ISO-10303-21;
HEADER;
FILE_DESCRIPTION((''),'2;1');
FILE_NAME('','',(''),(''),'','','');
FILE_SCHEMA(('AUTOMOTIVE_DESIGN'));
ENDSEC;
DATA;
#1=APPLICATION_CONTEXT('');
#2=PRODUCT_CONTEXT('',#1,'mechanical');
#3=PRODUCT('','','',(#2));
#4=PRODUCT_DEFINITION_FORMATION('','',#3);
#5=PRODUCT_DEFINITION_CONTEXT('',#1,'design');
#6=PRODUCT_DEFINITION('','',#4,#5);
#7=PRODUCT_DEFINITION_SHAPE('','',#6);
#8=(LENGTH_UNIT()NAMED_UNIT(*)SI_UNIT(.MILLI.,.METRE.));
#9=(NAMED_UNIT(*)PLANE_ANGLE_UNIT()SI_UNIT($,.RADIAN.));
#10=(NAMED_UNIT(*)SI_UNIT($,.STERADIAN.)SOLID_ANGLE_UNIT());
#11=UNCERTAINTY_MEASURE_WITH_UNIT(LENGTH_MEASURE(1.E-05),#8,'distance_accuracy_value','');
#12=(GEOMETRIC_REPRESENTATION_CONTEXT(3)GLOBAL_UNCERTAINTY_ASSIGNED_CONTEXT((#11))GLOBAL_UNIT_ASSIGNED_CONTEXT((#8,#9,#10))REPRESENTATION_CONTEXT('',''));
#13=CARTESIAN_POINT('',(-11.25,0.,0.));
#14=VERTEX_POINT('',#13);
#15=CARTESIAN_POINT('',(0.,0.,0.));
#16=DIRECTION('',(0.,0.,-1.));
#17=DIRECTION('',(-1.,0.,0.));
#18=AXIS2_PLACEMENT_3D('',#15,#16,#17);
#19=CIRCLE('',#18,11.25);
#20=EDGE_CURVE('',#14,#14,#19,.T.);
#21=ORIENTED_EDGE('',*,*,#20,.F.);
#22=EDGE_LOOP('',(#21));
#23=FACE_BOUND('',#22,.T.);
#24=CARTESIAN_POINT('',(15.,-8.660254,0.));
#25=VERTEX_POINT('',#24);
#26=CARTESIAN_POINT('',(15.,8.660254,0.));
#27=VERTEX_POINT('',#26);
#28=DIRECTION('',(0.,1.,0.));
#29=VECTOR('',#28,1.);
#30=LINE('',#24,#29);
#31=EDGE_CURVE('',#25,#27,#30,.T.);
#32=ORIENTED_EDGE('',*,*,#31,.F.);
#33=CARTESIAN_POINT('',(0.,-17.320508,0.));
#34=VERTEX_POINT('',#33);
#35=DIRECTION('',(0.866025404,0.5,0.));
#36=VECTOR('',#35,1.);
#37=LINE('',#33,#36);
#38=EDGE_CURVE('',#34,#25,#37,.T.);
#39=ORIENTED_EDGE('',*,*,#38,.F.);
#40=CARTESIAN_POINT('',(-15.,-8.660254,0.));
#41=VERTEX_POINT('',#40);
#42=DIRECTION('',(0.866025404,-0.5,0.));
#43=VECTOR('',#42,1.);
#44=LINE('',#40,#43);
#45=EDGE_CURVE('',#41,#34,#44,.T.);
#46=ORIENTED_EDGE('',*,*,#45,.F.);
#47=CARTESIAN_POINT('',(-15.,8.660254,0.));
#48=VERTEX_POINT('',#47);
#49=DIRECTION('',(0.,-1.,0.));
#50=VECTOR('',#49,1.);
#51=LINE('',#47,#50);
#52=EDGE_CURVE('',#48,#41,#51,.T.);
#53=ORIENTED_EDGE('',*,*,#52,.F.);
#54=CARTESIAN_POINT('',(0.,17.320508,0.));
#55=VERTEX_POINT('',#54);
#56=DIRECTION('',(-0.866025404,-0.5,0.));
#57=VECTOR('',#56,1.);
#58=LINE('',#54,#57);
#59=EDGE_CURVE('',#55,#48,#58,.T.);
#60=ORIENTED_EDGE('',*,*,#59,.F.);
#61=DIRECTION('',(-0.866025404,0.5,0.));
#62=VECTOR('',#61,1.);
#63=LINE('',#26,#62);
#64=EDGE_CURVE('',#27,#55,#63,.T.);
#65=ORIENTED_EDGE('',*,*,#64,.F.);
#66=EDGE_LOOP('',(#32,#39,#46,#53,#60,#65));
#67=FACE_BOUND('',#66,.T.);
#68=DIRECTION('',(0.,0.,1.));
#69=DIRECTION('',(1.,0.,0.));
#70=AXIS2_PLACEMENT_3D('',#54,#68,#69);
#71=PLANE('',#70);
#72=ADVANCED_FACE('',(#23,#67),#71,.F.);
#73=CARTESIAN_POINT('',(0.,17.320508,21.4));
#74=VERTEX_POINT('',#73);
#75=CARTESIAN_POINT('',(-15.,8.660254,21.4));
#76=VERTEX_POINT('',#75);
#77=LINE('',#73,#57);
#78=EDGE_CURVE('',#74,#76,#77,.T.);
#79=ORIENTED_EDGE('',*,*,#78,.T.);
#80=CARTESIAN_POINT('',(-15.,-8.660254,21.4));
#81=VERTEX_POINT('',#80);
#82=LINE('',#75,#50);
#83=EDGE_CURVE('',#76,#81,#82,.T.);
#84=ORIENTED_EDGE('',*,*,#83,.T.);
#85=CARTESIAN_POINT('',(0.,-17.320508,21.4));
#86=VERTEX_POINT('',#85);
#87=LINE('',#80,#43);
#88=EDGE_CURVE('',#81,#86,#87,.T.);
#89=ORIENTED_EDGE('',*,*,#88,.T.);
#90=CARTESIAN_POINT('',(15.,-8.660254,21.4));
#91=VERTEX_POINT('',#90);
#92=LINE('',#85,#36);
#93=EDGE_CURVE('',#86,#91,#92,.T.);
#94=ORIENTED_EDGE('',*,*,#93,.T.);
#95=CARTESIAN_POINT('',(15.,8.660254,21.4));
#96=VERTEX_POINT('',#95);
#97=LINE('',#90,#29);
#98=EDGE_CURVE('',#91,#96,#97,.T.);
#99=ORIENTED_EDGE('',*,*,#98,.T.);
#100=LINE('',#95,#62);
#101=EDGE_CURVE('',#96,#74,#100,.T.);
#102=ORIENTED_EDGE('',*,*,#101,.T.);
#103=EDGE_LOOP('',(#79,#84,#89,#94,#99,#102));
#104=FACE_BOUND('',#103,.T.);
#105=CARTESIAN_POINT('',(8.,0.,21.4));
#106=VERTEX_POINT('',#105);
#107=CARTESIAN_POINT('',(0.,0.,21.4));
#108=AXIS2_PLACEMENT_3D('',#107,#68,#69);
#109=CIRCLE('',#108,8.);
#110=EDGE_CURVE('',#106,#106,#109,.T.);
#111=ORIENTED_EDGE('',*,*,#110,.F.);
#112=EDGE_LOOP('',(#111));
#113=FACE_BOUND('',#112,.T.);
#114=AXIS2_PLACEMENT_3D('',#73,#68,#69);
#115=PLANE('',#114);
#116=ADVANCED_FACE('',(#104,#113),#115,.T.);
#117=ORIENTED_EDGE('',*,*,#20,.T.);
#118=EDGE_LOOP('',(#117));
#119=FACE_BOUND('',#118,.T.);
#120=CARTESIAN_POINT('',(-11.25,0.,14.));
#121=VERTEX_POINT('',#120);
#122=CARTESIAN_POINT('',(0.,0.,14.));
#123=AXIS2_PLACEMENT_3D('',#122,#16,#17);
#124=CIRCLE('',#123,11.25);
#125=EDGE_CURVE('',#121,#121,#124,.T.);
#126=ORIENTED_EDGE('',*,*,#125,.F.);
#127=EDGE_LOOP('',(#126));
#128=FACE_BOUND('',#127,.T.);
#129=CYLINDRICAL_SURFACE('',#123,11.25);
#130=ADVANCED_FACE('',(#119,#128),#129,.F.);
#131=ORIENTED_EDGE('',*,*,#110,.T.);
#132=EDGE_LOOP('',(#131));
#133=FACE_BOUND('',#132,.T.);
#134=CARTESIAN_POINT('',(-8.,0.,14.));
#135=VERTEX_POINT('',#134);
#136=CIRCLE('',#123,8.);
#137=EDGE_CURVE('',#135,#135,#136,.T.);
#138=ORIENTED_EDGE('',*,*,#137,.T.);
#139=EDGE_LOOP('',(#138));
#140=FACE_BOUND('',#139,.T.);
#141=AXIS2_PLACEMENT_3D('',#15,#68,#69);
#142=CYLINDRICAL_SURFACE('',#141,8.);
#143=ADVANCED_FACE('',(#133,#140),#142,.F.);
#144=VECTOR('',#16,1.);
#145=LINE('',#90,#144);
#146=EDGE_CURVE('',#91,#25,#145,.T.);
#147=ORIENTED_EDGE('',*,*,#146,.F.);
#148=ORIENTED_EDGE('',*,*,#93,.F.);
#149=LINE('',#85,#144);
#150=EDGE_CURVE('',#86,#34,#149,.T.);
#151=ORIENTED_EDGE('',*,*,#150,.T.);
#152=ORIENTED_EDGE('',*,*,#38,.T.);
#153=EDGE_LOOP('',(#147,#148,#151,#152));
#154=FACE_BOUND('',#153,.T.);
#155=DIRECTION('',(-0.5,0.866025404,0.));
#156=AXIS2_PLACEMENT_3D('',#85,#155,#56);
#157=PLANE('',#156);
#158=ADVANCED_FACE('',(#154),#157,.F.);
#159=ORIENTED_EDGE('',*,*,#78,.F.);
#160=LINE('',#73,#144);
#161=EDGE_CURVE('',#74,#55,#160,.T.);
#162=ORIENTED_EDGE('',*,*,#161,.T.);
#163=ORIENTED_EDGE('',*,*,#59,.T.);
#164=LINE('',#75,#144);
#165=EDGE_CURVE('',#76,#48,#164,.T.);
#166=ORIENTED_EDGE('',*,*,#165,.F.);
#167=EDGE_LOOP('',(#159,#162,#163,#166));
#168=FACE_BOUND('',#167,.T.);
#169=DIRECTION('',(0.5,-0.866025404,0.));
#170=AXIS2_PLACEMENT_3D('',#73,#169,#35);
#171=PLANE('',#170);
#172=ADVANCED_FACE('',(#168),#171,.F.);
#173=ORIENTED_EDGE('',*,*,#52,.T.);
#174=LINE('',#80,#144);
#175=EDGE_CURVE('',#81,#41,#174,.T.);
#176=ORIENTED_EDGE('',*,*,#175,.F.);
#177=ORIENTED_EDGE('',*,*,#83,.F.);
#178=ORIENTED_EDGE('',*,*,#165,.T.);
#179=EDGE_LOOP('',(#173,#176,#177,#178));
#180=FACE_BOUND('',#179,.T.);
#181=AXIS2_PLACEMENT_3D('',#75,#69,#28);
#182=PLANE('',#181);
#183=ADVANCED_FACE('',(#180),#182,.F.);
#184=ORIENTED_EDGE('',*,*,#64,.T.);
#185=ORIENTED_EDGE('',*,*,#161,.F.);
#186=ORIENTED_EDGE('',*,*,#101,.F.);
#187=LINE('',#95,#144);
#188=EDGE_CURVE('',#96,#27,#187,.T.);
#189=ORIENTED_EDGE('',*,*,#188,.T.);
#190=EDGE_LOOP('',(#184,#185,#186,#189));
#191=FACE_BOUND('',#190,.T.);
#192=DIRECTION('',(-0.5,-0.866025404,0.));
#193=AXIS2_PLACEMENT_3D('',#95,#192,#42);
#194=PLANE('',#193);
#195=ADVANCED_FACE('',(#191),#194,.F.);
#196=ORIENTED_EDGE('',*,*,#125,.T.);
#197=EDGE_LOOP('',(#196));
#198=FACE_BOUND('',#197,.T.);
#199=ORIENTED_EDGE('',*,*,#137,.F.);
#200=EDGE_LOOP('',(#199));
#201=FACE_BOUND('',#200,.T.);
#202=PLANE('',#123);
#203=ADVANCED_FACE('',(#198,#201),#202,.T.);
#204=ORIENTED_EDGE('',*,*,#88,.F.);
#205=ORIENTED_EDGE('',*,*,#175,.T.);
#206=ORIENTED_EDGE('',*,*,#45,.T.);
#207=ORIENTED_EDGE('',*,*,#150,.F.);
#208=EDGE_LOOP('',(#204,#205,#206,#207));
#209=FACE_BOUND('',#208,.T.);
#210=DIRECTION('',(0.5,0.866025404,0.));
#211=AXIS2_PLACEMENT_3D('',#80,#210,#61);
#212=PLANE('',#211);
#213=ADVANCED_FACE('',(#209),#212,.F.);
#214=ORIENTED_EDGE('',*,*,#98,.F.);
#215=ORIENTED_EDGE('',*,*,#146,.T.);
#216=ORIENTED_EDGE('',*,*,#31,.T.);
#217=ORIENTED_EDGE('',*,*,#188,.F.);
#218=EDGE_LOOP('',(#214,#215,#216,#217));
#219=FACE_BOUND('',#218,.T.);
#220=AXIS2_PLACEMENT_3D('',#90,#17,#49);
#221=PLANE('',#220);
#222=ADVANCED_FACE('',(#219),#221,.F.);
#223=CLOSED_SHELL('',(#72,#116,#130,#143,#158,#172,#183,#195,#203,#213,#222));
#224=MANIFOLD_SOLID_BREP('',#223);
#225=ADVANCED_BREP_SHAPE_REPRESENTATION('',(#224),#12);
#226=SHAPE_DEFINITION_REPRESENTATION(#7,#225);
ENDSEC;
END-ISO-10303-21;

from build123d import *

# Parameters (mm, degrees)
BASE_EXTRUDE_DEPTH = 21.4
SKETCH2_R          = 11.25
CUT_EXTRUDE1_DEPTH = 14
SKETCH3_R          = 8
CUT_EXTRUDE2_DEPTH = 22.4


with BuildPart() as part:
    # Sketch1 → Base-Extrude (new body)
    with BuildSketch(Plane.XY):
        Polygon((0, 17.320508076), (-15, 8.660254038), (-15, -8.660254038), (0, -17.320508076), (15, -8.660254038), (15, 8.660254038), align=None)
    extrude(amount=BASE_EXTRUDE_DEPTH)

    # Sketch2 → Cut-Extrude1 (cut)
    with BuildSketch(Plane(origin=(0, 0, 0), x_dir=(-1, 0, 0), z_dir=(0, 0, -1))):
        Circle(SKETCH2_R)
    extrude(amount=-CUT_EXTRUDE1_DEPTH, mode=Mode.SUBTRACT)

    # Sketch3 → Cut-Extrude2 (cut, through all)
    with BuildSketch(Plane.XY.offset(21.4)):
        Circle(SKETCH3_R)
    extrude(amount=-CUT_EXTRUDE2_DEPTH, mode=Mode.SUBTRACT)


solid = part.part
